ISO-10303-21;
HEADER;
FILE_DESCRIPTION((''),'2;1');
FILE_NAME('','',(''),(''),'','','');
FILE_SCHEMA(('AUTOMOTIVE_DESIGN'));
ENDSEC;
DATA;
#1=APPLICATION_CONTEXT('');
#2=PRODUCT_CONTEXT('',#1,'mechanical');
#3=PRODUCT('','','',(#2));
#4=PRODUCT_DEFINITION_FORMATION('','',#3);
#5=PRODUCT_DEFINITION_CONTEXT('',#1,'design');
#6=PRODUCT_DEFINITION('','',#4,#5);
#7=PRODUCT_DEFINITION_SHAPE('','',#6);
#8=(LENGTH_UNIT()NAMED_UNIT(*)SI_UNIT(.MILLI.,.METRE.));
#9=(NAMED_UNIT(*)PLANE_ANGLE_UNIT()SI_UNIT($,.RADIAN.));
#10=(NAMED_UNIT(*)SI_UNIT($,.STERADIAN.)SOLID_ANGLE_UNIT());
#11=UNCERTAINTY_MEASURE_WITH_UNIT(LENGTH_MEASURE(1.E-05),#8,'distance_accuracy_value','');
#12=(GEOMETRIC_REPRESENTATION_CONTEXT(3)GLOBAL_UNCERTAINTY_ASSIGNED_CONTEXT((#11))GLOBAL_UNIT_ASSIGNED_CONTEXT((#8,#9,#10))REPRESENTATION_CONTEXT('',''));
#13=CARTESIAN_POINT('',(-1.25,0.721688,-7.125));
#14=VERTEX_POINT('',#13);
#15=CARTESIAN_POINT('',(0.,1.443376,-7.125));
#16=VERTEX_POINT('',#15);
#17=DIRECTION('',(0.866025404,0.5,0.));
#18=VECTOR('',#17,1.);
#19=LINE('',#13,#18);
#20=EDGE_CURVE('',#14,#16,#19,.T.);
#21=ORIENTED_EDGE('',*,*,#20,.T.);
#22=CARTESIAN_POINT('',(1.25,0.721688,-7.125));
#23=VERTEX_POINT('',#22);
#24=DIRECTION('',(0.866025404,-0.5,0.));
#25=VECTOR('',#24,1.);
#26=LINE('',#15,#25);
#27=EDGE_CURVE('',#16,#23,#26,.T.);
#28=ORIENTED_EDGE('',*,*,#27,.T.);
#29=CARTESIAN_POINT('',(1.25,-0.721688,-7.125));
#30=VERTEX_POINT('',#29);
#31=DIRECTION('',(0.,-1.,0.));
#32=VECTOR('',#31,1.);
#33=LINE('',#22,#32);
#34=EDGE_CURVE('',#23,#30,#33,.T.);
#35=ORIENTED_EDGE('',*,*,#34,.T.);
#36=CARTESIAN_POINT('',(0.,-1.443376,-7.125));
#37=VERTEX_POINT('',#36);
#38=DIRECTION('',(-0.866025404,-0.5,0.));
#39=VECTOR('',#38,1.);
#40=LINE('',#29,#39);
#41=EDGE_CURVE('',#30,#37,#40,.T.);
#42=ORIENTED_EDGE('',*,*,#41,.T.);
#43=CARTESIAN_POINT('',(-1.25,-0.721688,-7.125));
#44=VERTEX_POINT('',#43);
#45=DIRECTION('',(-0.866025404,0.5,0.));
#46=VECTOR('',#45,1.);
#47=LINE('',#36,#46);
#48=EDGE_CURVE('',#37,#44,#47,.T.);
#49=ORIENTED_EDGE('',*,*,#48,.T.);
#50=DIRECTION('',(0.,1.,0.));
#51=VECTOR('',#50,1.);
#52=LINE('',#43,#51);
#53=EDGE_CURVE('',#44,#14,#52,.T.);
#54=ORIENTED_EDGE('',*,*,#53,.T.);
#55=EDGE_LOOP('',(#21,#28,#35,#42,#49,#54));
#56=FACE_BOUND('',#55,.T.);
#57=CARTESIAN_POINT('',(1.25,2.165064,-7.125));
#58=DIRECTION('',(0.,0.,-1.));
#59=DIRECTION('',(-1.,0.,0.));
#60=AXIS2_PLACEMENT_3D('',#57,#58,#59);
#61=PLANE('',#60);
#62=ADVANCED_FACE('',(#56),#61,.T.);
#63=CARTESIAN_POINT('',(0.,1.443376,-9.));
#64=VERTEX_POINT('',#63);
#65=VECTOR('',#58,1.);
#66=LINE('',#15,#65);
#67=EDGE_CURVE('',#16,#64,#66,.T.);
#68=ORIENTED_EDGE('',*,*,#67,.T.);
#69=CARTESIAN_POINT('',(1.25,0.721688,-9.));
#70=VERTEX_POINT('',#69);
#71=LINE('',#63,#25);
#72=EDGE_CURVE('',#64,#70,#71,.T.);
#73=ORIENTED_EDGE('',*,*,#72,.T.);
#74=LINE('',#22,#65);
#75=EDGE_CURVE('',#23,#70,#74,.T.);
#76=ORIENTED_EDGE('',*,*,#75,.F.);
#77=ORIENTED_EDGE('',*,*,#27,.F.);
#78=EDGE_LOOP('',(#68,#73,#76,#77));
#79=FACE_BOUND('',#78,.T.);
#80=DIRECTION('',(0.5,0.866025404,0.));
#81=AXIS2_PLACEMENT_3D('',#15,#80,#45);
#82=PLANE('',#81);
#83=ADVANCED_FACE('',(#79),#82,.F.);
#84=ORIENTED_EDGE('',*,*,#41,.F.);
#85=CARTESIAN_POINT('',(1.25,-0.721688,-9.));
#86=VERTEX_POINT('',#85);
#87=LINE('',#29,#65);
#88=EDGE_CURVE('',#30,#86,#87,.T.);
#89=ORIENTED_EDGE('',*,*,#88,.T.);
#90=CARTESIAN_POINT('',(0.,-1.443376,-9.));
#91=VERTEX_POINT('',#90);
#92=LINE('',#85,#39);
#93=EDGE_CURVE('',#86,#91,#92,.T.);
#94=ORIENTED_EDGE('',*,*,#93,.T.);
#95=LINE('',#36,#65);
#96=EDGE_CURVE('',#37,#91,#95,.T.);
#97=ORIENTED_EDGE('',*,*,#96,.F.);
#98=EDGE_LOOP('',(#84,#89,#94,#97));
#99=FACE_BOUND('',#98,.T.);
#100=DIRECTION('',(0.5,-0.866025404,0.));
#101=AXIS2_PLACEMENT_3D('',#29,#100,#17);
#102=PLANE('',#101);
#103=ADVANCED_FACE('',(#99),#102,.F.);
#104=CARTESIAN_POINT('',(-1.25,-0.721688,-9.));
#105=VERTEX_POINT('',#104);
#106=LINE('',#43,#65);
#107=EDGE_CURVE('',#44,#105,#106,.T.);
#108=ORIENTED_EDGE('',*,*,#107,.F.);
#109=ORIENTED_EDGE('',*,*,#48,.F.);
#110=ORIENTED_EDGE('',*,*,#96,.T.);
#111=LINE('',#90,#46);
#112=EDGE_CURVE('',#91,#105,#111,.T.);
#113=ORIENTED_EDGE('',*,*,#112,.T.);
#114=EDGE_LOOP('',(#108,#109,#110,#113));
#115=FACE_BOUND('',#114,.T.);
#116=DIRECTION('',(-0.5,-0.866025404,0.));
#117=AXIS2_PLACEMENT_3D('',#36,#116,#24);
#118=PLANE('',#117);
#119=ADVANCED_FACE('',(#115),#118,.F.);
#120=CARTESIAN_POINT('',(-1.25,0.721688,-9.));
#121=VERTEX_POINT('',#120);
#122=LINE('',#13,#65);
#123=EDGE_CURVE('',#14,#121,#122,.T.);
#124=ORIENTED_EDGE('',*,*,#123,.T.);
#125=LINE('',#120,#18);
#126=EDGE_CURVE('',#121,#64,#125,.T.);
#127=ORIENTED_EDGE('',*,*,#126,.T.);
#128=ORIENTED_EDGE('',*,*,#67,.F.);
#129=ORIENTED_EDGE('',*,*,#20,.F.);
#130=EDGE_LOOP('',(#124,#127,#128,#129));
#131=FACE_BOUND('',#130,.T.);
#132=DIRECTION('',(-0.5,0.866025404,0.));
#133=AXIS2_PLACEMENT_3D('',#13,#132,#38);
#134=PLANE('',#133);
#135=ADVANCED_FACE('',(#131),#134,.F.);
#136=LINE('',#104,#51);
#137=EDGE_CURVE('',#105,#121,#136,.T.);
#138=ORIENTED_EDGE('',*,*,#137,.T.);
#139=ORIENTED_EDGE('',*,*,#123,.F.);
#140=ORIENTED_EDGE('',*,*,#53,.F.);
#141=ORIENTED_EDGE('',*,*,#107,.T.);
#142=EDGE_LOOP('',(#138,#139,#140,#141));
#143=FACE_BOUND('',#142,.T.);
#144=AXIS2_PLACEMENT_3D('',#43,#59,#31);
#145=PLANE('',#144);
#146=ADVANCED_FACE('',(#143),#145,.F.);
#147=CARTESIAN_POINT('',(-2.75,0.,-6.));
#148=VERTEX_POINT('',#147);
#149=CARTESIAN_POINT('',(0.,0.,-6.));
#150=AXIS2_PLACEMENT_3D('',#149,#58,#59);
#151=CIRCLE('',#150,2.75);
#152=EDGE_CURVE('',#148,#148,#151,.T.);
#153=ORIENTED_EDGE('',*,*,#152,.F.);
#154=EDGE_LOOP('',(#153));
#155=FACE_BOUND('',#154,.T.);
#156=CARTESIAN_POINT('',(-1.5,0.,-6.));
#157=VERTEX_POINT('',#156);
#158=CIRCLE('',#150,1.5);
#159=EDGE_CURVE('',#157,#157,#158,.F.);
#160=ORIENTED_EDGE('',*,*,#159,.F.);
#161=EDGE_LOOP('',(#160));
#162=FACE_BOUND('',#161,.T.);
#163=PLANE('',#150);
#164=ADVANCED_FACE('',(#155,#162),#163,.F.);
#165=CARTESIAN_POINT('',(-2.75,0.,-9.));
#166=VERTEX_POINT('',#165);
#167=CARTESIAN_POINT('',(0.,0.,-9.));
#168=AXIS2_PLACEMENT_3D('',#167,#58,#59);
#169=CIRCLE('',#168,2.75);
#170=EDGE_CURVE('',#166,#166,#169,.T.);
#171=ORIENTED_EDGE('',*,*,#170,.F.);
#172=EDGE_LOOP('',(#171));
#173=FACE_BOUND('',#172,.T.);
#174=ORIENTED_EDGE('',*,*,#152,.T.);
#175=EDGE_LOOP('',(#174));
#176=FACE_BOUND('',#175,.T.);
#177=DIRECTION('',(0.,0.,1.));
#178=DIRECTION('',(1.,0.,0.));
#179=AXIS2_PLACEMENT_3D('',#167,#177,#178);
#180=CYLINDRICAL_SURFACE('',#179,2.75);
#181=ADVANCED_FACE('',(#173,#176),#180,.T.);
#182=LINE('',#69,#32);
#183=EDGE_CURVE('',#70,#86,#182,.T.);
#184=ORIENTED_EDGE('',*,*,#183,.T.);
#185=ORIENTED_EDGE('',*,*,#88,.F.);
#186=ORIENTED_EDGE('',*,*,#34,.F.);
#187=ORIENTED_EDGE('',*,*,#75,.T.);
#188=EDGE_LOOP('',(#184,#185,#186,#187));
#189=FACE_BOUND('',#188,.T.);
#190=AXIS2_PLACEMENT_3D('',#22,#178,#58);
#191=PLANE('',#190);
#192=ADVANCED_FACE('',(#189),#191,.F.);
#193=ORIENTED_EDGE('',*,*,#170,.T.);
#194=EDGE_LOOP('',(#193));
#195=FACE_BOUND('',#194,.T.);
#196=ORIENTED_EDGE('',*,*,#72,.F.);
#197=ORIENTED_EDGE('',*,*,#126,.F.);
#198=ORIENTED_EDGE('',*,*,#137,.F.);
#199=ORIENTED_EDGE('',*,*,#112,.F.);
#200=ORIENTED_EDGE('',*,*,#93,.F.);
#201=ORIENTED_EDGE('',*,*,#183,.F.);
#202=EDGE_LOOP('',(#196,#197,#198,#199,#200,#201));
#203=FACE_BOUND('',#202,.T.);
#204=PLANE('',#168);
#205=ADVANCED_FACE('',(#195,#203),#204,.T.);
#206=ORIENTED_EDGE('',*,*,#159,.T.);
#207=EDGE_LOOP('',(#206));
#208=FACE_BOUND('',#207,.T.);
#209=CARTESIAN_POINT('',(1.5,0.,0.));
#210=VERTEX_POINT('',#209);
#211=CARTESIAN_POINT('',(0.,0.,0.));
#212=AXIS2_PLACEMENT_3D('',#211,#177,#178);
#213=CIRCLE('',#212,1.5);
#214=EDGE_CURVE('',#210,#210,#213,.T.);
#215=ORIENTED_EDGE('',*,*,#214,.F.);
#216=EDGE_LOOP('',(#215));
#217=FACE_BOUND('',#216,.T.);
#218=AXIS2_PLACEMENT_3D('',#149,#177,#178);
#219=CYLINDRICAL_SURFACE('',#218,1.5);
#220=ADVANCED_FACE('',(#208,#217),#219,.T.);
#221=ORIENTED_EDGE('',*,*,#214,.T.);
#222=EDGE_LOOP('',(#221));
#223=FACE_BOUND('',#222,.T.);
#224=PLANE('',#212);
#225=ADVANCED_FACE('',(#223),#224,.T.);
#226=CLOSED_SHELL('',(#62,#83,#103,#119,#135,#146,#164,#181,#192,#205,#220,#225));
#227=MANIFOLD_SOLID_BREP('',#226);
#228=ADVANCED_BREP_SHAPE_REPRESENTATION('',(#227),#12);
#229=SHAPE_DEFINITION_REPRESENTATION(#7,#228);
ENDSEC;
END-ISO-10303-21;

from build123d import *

# Parameters (mm, degrees)
SKETCH1_R          = 1.5
EXTRUDE1_DEPTH     = 6
SKETCH6_R          = 2.75
EXTRUDE2_DEPTH     = 3
CUT_EXTRUDE1_DEPTH = 1.875


with BuildPart() as part:
    # Sketch1 → Extrude1 (new body)
    with BuildSketch(Plane.XY):
        Circle(SKETCH1_R)
    extrude(amount=-EXTRUDE1_DEPTH)

    # Sketch6 → Extrude2 (add)
    with BuildSketch(Plane(origin=(0, 0, -6), x_dir=(-1, 0, 0), z_dir=(0, 0, -1))):
        Circle(SKETCH6_R)
    extrude(amount=EXTRUDE2_DEPTH)

    # Sketch7 → Cut-Extrude1 (cut)
    with BuildSketch(Plane(origin=(0, 0, -9), x_dir=(-1, 0, 0), z_dir=(0, 0, -1))):
        Polygon((0, 1.443375673), (-1.25, 0.721687836), (-1.25, -0.721687836), (0, -1.443375673), (1.25, -0.721687836), (1.25, 0.721687836), align=None)
    extrude(amount=-CUT_EXTRUDE1_DEPTH, mode=Mode.SUBTRACT)


solid = part.part
